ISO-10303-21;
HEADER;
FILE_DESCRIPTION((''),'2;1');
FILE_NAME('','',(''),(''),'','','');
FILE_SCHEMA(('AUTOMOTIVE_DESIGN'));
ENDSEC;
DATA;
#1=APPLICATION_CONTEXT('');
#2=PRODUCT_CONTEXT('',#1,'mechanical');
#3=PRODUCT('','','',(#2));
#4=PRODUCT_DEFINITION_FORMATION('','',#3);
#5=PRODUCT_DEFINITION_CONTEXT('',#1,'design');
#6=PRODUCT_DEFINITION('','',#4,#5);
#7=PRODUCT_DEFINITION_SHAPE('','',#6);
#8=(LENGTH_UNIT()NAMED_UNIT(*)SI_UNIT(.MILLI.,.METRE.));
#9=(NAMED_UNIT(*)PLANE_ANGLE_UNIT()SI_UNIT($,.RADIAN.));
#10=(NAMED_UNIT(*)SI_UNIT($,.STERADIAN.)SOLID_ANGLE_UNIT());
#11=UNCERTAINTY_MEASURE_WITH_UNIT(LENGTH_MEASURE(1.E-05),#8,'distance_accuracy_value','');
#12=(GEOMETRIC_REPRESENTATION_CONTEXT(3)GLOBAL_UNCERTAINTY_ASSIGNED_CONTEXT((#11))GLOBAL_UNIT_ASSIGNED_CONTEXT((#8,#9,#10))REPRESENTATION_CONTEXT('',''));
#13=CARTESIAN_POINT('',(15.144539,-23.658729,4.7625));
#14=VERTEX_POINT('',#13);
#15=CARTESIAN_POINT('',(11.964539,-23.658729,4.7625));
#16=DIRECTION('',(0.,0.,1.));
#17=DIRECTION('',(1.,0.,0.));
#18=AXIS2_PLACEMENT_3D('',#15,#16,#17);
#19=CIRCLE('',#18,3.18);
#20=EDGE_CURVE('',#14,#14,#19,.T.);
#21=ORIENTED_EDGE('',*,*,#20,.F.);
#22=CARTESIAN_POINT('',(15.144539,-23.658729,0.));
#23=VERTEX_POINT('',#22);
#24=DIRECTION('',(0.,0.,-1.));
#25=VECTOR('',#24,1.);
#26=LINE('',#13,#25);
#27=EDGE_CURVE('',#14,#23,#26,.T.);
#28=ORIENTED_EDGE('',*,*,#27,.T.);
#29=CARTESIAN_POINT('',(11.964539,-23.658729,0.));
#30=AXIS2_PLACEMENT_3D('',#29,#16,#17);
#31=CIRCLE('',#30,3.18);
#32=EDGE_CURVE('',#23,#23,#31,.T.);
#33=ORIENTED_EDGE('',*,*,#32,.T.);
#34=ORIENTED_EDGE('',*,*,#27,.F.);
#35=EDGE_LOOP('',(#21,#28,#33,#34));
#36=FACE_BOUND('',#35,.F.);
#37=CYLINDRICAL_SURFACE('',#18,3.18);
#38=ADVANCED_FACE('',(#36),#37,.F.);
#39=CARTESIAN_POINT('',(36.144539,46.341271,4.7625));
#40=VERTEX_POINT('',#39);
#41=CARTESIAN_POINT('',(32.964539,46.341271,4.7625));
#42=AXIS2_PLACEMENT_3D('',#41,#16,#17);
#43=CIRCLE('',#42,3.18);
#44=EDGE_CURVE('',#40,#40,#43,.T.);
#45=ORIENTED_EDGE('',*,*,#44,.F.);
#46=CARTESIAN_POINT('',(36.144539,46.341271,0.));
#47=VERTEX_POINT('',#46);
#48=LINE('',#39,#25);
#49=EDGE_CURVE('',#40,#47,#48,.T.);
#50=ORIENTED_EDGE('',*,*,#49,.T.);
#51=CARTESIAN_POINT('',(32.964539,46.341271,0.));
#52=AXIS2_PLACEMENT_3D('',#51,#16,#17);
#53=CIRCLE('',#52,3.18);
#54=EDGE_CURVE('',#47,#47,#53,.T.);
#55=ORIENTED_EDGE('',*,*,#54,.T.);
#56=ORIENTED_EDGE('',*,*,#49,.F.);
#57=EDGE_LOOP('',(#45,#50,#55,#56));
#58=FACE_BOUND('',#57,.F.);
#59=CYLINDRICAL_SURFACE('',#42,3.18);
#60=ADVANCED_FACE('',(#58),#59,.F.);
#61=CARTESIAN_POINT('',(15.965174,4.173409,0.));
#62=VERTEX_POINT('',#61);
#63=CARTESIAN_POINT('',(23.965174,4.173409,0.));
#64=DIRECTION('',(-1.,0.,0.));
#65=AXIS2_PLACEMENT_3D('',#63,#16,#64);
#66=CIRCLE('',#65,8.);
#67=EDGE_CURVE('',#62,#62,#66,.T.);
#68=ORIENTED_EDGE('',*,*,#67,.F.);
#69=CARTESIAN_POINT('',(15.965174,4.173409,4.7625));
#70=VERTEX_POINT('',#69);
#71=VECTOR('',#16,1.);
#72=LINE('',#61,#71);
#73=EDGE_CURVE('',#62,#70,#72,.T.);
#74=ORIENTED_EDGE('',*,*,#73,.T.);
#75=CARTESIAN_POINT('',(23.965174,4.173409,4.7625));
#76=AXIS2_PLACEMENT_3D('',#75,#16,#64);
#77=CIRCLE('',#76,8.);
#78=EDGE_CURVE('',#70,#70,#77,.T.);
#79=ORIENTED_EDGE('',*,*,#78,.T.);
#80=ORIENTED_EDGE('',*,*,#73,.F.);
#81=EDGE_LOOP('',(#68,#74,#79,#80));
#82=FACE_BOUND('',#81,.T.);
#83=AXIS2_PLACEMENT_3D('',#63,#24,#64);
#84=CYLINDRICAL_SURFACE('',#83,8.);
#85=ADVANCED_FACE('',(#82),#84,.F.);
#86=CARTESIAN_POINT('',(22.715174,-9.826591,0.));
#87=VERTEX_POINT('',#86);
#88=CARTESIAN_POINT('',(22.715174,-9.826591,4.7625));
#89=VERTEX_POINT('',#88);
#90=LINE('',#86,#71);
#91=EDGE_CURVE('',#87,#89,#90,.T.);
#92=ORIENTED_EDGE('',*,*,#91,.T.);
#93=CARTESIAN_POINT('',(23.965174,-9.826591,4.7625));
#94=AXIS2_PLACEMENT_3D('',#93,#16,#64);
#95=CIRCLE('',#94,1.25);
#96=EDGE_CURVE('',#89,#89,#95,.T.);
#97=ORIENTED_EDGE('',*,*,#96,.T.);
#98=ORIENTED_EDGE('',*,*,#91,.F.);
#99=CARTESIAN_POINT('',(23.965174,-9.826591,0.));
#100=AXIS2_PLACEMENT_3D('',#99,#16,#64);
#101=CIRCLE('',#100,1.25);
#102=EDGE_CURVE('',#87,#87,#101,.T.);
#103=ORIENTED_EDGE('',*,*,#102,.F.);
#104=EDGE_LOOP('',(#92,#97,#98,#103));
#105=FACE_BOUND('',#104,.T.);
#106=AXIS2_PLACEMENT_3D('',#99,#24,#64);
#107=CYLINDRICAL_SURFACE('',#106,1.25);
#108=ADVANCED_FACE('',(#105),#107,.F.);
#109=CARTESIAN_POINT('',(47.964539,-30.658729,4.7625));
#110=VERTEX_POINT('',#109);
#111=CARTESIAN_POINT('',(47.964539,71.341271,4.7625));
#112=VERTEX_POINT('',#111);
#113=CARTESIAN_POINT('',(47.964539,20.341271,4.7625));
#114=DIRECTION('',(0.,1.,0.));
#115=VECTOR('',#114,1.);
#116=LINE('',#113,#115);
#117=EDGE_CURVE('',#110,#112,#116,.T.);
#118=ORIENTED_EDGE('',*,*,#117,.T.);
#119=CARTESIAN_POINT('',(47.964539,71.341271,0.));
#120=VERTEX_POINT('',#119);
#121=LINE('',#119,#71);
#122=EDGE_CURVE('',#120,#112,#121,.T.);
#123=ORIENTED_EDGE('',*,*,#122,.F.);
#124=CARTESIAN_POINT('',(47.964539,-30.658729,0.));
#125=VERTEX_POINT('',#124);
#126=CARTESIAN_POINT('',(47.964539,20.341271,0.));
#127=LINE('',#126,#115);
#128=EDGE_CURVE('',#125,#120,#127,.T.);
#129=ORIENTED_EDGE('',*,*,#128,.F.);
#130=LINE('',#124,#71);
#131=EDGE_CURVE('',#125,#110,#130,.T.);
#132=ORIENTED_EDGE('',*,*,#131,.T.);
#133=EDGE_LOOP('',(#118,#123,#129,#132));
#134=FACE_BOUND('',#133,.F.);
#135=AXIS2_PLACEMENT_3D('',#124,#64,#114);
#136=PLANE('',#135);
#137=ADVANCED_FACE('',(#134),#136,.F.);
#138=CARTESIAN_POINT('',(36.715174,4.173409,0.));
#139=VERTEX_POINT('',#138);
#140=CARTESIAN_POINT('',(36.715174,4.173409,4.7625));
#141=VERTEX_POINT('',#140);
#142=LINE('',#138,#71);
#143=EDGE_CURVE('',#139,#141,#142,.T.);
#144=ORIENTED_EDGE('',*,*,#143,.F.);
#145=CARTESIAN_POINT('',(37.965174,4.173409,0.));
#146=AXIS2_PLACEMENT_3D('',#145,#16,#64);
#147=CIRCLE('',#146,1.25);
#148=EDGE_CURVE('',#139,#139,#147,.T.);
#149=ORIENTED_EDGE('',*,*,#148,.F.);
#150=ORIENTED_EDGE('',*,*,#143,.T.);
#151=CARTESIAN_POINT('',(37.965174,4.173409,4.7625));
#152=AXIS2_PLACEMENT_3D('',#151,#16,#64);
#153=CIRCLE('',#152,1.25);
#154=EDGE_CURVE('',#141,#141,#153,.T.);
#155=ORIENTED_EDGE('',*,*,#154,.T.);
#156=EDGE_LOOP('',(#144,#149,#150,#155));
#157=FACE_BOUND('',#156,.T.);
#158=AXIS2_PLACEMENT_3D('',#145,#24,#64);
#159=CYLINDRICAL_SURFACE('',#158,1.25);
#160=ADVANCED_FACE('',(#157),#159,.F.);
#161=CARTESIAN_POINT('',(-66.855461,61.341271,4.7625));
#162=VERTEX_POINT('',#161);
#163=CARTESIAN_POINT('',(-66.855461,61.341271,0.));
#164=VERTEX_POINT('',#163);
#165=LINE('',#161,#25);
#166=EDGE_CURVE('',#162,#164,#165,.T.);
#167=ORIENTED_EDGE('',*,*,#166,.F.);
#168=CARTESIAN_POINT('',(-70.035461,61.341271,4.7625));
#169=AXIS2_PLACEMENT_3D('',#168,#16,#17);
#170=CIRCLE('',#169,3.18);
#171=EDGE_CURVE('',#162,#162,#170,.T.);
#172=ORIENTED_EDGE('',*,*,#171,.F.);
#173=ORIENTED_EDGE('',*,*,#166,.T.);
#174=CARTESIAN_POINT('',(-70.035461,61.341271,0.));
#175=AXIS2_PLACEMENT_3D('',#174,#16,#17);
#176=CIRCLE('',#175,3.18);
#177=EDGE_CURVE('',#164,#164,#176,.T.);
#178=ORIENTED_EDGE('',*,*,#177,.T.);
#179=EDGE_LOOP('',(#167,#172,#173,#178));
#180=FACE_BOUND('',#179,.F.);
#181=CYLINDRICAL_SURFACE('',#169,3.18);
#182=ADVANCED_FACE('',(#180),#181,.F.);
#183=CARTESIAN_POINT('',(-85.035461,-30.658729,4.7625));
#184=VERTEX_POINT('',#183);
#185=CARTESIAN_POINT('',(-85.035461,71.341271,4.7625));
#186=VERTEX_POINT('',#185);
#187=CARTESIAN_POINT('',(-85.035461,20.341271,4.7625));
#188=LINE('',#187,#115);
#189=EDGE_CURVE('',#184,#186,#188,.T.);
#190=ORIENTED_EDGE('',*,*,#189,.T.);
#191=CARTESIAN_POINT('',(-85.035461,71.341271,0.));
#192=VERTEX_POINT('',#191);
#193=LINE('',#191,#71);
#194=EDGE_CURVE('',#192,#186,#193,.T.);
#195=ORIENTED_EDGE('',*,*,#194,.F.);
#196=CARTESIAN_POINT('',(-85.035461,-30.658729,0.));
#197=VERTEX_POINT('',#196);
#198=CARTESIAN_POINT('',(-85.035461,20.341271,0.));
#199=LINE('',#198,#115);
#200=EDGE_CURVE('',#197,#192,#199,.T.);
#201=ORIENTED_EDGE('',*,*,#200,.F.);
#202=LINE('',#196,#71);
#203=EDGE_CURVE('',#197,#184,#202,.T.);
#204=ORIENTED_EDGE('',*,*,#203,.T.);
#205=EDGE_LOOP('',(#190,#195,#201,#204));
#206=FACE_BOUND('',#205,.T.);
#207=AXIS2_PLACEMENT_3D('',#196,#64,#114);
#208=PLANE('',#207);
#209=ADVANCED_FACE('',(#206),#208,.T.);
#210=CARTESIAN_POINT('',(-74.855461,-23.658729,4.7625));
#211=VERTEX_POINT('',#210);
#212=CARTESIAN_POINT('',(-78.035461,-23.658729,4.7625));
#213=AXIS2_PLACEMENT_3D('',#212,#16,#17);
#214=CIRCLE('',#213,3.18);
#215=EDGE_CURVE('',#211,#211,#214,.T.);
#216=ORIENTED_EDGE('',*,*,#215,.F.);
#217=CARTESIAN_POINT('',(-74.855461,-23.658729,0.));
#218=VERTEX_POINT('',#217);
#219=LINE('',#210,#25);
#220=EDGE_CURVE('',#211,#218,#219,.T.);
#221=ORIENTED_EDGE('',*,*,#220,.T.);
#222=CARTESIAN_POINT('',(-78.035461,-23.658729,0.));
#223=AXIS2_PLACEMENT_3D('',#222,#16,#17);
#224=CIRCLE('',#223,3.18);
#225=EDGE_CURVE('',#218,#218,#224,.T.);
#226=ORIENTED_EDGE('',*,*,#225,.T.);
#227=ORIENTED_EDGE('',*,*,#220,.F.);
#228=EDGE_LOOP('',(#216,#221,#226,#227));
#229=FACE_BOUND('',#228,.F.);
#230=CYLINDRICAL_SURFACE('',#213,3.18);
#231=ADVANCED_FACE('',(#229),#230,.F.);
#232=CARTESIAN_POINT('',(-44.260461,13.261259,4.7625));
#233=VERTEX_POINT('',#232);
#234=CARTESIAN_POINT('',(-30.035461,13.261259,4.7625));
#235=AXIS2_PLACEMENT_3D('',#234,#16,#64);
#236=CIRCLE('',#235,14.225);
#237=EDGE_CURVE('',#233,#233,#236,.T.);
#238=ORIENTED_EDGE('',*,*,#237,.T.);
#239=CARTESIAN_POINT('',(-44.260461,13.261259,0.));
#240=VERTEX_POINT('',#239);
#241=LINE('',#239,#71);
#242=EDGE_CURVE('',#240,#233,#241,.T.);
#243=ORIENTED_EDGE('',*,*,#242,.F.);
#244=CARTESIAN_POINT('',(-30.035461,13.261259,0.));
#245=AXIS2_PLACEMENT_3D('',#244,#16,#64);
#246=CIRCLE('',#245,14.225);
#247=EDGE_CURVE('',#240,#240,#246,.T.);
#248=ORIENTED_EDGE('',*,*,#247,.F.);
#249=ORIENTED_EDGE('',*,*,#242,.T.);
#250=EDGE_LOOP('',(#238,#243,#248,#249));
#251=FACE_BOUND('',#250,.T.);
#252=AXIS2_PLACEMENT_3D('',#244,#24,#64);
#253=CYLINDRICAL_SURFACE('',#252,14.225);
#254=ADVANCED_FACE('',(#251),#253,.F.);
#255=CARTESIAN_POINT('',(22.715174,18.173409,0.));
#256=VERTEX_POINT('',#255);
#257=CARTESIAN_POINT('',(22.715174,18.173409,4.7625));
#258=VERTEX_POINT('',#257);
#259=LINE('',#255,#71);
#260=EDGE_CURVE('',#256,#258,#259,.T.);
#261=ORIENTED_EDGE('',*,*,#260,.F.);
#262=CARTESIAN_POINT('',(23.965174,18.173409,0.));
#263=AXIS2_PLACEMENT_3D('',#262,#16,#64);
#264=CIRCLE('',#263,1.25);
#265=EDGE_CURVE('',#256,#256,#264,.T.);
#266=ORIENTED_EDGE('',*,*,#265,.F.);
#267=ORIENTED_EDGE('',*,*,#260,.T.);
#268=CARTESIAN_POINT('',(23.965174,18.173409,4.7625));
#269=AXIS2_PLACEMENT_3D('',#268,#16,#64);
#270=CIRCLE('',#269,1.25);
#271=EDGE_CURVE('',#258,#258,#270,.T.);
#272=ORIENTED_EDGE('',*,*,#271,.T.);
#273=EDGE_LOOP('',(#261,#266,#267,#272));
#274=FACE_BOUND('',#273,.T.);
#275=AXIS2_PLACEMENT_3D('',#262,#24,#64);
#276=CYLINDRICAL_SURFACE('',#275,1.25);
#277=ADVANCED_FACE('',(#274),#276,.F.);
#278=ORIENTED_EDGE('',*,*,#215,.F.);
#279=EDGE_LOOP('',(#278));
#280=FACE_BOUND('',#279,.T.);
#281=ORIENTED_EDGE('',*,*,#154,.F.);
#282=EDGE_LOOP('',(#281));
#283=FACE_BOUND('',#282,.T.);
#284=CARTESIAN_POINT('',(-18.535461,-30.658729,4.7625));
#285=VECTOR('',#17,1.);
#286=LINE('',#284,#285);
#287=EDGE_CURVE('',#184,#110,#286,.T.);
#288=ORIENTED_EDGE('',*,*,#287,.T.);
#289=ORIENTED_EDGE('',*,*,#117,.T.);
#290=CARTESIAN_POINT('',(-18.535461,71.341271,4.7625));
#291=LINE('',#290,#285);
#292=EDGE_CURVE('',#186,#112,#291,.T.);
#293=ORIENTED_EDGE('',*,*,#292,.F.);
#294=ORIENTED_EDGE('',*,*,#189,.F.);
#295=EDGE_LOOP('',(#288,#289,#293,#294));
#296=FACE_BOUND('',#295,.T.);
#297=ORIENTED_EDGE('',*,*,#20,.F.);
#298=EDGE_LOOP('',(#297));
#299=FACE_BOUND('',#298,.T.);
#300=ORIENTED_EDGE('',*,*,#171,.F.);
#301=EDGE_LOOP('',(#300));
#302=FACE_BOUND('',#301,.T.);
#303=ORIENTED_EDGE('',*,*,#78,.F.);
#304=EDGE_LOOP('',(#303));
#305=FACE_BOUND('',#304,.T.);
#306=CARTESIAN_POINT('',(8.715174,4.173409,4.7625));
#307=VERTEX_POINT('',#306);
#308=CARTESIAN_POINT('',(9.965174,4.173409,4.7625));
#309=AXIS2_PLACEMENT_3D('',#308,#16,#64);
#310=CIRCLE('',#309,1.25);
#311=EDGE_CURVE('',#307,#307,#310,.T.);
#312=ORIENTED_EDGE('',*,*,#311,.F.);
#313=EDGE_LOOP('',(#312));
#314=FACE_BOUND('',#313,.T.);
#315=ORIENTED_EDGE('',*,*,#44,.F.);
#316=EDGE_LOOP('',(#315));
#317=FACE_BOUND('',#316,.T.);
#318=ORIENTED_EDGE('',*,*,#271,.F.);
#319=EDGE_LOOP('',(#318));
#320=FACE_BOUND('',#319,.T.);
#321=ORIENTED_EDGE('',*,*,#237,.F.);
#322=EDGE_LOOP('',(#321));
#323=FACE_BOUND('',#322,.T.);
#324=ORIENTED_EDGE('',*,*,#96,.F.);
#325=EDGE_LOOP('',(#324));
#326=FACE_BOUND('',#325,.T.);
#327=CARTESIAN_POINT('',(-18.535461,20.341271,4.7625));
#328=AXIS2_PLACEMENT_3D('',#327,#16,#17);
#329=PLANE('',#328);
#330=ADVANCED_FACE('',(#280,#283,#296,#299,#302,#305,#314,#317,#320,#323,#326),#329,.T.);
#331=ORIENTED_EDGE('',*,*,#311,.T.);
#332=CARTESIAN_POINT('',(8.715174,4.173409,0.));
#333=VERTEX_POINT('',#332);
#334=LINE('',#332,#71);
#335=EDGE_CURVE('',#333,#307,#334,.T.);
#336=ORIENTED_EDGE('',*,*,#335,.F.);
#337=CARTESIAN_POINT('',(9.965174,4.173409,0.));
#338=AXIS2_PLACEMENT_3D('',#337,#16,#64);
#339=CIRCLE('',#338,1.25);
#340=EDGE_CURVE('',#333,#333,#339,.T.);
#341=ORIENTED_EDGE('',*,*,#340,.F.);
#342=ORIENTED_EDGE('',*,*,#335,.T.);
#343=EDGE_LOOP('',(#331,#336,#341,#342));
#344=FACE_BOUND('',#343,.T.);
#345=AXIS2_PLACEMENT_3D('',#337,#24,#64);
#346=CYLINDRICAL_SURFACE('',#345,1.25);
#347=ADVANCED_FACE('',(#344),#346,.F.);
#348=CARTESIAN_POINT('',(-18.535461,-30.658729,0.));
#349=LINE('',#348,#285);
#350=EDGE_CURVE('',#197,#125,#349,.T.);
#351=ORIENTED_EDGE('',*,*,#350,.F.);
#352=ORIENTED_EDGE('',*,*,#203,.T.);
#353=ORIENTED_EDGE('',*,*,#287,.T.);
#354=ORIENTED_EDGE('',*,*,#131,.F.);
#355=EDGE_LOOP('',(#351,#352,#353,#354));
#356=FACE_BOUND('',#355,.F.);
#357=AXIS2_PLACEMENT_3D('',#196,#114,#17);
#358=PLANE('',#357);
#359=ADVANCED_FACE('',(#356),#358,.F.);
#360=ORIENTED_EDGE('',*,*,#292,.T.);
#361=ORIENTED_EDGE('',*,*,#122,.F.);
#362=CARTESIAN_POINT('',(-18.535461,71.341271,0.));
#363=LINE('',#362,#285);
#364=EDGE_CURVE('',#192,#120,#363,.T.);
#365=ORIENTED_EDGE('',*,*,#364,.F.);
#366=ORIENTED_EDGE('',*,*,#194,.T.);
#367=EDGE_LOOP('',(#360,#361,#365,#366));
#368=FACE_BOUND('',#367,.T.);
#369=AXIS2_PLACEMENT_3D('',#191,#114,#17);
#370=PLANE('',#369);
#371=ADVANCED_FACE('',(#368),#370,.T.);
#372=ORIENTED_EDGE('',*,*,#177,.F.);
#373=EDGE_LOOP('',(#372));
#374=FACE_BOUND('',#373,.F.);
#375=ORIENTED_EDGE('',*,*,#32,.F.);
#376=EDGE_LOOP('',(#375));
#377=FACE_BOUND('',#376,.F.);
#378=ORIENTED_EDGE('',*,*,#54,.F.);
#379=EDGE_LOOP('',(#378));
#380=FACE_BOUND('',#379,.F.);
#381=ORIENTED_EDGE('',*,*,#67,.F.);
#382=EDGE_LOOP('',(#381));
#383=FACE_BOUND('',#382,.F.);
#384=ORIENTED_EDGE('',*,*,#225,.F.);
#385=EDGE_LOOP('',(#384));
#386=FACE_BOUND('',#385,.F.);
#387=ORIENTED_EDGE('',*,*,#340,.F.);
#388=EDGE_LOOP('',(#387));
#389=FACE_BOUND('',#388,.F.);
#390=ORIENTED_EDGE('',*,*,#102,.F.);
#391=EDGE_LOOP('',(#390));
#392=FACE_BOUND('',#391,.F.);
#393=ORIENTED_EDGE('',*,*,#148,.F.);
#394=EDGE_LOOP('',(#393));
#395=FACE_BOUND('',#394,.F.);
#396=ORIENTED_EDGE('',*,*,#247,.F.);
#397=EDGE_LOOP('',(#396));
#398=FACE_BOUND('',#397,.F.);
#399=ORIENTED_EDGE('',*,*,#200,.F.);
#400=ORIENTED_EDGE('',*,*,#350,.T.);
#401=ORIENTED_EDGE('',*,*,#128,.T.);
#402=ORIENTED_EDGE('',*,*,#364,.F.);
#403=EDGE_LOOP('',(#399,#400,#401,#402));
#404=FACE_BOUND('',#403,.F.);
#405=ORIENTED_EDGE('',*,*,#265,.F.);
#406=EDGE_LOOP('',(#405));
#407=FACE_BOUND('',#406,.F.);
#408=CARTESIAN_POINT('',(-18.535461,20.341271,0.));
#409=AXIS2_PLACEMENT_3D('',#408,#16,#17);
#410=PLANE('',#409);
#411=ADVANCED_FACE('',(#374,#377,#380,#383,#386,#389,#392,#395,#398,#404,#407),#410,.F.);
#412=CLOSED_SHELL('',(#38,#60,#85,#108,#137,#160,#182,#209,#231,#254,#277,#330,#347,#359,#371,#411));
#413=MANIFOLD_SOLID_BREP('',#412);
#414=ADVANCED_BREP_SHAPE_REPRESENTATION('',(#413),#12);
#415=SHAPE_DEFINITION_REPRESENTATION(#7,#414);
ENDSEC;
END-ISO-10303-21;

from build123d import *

# Parameters (mm, degrees)
SKETCH1_W           = 133
SKETCH1_H           = 102
SKETCH1_R           = 14.225
SKETCH1_R_2         = 1.25
SKETCH1_R_3         = 8
BOSS_EXTRUDE2_DEPTH = 4.7625
CUT_EXTRUDE1_REACH  = 113.1
SKETCH2_R           = 3.18


with BuildPart() as part:
    # Sketch1 → Boss-Extrude2 (new body)
    with BuildSketch(Plane.XY):
        with Locations((-18.535460993, 20.341271178)):
            Rectangle(SKETCH1_W, SKETCH1_H)
        with Locations(Location((-30.035460993, 13.261258957, 0), (0, 0, 180))):
            Circle(SKETCH1_R, mode=Mode.SUBTRACT)
        with Locations(Location((23.965174075, -9.826590747, 0), (0, 0, 180))):
            Circle(SKETCH1_R_2, mode=Mode.SUBTRACT)
        with Locations(Location((37.965174075, 4.173409253, 0), (0, 0, 180))):
            Circle(SKETCH1_R_2, mode=Mode.SUBTRACT)
        with Locations(Location((23.965174075, 18.173409253, 0), (0, 0, 180))):
            Circle(SKETCH1_R_2, mode=Mode.SUBTRACT)
        with Locations(Location((9.965174075, 4.173409253, 0), (0, 0, 180))):
            Circle(SKETCH1_R_2, mode=Mode.SUBTRACT)
        with Locations(Location((23.965174075, 4.173409253, 0), (0, 0, 180))):
            Circle(SKETCH1_R_3, mode=Mode.SUBTRACT)
    extrude(amount=BOSS_EXTRUDE2_DEPTH)

    # Sketch2 → Cut-Extrude1 (cut, up to next)
    with BuildSketch(Plane.XY.offset(4.7625), mode=Mode.PRIVATE) as cut_extrude1_sk1:
        with Locations((-70.035460993, 61.341271178)):
            Circle(SKETCH2_R)
    cut_extrude1_tool1 = extrude(cut_extrude1_sk1.sketch, amount=-CUT_EXTRUDE1_REACH, mode=Mode.PRIVATE) & part.part
    # Sketch2 → Cut-Extrude1 (cut, up to next)
    with BuildSketch(Plane.XY.offset(4.7625), mode=Mode.PRIVATE) as cut_extrude1_sk2:
        with Locations((32.964539007, 46.341271178)):
            Circle(SKETCH2_R)
    cut_extrude1_tool2 = extrude(cut_extrude1_sk2.sketch, amount=-CUT_EXTRUDE1_REACH, mode=Mode.PRIVATE) & part.part
    # Sketch2 → Cut-Extrude1 (cut, up to next)
    with BuildSketch(Plane.XY.offset(4.7625), mode=Mode.PRIVATE) as cut_extrude1_sk3:
        with Locations((11.964539007, -23.658728822)):
            Circle(SKETCH2_R)
    cut_extrude1_tool3 = extrude(cut_extrude1_sk3.sketch, amount=-CUT_EXTRUDE1_REACH, mode=Mode.PRIVATE) & part.part
    # Sketch2 → Cut-Extrude1 (cut, up to next)
    with BuildSketch(Plane.XY.offset(4.7625), mode=Mode.PRIVATE) as cut_extrude1_sk4:
        with Locations((-78.035460993, -23.658728822)):
            Circle(SKETCH2_R)
    cut_extrude1_tool4 = extrude(cut_extrude1_sk4.sketch, amount=-CUT_EXTRUDE1_REACH, mode=Mode.PRIVATE) & part.part
    add(cut_extrude1_tool1.solids().sort_by_distance((-70.035461, 61.341271, 4.7625))[0], mode=Mode.SUBTRACT)
    add(cut_extrude1_tool2.solids().sort_by_distance((32.964539, 46.341271, 4.7625))[0], mode=Mode.SUBTRACT)
    add(cut_extrude1_tool3.solids().sort_by_distance((11.964539, -23.658729, 4.7625))[0], mode=Mode.SUBTRACT)
    add(cut_extrude1_tool4.solids().sort_by_distance((-78.035461, -23.658729, 4.7625))[0], mode=Mode.SUBTRACT)


solid = part.part
